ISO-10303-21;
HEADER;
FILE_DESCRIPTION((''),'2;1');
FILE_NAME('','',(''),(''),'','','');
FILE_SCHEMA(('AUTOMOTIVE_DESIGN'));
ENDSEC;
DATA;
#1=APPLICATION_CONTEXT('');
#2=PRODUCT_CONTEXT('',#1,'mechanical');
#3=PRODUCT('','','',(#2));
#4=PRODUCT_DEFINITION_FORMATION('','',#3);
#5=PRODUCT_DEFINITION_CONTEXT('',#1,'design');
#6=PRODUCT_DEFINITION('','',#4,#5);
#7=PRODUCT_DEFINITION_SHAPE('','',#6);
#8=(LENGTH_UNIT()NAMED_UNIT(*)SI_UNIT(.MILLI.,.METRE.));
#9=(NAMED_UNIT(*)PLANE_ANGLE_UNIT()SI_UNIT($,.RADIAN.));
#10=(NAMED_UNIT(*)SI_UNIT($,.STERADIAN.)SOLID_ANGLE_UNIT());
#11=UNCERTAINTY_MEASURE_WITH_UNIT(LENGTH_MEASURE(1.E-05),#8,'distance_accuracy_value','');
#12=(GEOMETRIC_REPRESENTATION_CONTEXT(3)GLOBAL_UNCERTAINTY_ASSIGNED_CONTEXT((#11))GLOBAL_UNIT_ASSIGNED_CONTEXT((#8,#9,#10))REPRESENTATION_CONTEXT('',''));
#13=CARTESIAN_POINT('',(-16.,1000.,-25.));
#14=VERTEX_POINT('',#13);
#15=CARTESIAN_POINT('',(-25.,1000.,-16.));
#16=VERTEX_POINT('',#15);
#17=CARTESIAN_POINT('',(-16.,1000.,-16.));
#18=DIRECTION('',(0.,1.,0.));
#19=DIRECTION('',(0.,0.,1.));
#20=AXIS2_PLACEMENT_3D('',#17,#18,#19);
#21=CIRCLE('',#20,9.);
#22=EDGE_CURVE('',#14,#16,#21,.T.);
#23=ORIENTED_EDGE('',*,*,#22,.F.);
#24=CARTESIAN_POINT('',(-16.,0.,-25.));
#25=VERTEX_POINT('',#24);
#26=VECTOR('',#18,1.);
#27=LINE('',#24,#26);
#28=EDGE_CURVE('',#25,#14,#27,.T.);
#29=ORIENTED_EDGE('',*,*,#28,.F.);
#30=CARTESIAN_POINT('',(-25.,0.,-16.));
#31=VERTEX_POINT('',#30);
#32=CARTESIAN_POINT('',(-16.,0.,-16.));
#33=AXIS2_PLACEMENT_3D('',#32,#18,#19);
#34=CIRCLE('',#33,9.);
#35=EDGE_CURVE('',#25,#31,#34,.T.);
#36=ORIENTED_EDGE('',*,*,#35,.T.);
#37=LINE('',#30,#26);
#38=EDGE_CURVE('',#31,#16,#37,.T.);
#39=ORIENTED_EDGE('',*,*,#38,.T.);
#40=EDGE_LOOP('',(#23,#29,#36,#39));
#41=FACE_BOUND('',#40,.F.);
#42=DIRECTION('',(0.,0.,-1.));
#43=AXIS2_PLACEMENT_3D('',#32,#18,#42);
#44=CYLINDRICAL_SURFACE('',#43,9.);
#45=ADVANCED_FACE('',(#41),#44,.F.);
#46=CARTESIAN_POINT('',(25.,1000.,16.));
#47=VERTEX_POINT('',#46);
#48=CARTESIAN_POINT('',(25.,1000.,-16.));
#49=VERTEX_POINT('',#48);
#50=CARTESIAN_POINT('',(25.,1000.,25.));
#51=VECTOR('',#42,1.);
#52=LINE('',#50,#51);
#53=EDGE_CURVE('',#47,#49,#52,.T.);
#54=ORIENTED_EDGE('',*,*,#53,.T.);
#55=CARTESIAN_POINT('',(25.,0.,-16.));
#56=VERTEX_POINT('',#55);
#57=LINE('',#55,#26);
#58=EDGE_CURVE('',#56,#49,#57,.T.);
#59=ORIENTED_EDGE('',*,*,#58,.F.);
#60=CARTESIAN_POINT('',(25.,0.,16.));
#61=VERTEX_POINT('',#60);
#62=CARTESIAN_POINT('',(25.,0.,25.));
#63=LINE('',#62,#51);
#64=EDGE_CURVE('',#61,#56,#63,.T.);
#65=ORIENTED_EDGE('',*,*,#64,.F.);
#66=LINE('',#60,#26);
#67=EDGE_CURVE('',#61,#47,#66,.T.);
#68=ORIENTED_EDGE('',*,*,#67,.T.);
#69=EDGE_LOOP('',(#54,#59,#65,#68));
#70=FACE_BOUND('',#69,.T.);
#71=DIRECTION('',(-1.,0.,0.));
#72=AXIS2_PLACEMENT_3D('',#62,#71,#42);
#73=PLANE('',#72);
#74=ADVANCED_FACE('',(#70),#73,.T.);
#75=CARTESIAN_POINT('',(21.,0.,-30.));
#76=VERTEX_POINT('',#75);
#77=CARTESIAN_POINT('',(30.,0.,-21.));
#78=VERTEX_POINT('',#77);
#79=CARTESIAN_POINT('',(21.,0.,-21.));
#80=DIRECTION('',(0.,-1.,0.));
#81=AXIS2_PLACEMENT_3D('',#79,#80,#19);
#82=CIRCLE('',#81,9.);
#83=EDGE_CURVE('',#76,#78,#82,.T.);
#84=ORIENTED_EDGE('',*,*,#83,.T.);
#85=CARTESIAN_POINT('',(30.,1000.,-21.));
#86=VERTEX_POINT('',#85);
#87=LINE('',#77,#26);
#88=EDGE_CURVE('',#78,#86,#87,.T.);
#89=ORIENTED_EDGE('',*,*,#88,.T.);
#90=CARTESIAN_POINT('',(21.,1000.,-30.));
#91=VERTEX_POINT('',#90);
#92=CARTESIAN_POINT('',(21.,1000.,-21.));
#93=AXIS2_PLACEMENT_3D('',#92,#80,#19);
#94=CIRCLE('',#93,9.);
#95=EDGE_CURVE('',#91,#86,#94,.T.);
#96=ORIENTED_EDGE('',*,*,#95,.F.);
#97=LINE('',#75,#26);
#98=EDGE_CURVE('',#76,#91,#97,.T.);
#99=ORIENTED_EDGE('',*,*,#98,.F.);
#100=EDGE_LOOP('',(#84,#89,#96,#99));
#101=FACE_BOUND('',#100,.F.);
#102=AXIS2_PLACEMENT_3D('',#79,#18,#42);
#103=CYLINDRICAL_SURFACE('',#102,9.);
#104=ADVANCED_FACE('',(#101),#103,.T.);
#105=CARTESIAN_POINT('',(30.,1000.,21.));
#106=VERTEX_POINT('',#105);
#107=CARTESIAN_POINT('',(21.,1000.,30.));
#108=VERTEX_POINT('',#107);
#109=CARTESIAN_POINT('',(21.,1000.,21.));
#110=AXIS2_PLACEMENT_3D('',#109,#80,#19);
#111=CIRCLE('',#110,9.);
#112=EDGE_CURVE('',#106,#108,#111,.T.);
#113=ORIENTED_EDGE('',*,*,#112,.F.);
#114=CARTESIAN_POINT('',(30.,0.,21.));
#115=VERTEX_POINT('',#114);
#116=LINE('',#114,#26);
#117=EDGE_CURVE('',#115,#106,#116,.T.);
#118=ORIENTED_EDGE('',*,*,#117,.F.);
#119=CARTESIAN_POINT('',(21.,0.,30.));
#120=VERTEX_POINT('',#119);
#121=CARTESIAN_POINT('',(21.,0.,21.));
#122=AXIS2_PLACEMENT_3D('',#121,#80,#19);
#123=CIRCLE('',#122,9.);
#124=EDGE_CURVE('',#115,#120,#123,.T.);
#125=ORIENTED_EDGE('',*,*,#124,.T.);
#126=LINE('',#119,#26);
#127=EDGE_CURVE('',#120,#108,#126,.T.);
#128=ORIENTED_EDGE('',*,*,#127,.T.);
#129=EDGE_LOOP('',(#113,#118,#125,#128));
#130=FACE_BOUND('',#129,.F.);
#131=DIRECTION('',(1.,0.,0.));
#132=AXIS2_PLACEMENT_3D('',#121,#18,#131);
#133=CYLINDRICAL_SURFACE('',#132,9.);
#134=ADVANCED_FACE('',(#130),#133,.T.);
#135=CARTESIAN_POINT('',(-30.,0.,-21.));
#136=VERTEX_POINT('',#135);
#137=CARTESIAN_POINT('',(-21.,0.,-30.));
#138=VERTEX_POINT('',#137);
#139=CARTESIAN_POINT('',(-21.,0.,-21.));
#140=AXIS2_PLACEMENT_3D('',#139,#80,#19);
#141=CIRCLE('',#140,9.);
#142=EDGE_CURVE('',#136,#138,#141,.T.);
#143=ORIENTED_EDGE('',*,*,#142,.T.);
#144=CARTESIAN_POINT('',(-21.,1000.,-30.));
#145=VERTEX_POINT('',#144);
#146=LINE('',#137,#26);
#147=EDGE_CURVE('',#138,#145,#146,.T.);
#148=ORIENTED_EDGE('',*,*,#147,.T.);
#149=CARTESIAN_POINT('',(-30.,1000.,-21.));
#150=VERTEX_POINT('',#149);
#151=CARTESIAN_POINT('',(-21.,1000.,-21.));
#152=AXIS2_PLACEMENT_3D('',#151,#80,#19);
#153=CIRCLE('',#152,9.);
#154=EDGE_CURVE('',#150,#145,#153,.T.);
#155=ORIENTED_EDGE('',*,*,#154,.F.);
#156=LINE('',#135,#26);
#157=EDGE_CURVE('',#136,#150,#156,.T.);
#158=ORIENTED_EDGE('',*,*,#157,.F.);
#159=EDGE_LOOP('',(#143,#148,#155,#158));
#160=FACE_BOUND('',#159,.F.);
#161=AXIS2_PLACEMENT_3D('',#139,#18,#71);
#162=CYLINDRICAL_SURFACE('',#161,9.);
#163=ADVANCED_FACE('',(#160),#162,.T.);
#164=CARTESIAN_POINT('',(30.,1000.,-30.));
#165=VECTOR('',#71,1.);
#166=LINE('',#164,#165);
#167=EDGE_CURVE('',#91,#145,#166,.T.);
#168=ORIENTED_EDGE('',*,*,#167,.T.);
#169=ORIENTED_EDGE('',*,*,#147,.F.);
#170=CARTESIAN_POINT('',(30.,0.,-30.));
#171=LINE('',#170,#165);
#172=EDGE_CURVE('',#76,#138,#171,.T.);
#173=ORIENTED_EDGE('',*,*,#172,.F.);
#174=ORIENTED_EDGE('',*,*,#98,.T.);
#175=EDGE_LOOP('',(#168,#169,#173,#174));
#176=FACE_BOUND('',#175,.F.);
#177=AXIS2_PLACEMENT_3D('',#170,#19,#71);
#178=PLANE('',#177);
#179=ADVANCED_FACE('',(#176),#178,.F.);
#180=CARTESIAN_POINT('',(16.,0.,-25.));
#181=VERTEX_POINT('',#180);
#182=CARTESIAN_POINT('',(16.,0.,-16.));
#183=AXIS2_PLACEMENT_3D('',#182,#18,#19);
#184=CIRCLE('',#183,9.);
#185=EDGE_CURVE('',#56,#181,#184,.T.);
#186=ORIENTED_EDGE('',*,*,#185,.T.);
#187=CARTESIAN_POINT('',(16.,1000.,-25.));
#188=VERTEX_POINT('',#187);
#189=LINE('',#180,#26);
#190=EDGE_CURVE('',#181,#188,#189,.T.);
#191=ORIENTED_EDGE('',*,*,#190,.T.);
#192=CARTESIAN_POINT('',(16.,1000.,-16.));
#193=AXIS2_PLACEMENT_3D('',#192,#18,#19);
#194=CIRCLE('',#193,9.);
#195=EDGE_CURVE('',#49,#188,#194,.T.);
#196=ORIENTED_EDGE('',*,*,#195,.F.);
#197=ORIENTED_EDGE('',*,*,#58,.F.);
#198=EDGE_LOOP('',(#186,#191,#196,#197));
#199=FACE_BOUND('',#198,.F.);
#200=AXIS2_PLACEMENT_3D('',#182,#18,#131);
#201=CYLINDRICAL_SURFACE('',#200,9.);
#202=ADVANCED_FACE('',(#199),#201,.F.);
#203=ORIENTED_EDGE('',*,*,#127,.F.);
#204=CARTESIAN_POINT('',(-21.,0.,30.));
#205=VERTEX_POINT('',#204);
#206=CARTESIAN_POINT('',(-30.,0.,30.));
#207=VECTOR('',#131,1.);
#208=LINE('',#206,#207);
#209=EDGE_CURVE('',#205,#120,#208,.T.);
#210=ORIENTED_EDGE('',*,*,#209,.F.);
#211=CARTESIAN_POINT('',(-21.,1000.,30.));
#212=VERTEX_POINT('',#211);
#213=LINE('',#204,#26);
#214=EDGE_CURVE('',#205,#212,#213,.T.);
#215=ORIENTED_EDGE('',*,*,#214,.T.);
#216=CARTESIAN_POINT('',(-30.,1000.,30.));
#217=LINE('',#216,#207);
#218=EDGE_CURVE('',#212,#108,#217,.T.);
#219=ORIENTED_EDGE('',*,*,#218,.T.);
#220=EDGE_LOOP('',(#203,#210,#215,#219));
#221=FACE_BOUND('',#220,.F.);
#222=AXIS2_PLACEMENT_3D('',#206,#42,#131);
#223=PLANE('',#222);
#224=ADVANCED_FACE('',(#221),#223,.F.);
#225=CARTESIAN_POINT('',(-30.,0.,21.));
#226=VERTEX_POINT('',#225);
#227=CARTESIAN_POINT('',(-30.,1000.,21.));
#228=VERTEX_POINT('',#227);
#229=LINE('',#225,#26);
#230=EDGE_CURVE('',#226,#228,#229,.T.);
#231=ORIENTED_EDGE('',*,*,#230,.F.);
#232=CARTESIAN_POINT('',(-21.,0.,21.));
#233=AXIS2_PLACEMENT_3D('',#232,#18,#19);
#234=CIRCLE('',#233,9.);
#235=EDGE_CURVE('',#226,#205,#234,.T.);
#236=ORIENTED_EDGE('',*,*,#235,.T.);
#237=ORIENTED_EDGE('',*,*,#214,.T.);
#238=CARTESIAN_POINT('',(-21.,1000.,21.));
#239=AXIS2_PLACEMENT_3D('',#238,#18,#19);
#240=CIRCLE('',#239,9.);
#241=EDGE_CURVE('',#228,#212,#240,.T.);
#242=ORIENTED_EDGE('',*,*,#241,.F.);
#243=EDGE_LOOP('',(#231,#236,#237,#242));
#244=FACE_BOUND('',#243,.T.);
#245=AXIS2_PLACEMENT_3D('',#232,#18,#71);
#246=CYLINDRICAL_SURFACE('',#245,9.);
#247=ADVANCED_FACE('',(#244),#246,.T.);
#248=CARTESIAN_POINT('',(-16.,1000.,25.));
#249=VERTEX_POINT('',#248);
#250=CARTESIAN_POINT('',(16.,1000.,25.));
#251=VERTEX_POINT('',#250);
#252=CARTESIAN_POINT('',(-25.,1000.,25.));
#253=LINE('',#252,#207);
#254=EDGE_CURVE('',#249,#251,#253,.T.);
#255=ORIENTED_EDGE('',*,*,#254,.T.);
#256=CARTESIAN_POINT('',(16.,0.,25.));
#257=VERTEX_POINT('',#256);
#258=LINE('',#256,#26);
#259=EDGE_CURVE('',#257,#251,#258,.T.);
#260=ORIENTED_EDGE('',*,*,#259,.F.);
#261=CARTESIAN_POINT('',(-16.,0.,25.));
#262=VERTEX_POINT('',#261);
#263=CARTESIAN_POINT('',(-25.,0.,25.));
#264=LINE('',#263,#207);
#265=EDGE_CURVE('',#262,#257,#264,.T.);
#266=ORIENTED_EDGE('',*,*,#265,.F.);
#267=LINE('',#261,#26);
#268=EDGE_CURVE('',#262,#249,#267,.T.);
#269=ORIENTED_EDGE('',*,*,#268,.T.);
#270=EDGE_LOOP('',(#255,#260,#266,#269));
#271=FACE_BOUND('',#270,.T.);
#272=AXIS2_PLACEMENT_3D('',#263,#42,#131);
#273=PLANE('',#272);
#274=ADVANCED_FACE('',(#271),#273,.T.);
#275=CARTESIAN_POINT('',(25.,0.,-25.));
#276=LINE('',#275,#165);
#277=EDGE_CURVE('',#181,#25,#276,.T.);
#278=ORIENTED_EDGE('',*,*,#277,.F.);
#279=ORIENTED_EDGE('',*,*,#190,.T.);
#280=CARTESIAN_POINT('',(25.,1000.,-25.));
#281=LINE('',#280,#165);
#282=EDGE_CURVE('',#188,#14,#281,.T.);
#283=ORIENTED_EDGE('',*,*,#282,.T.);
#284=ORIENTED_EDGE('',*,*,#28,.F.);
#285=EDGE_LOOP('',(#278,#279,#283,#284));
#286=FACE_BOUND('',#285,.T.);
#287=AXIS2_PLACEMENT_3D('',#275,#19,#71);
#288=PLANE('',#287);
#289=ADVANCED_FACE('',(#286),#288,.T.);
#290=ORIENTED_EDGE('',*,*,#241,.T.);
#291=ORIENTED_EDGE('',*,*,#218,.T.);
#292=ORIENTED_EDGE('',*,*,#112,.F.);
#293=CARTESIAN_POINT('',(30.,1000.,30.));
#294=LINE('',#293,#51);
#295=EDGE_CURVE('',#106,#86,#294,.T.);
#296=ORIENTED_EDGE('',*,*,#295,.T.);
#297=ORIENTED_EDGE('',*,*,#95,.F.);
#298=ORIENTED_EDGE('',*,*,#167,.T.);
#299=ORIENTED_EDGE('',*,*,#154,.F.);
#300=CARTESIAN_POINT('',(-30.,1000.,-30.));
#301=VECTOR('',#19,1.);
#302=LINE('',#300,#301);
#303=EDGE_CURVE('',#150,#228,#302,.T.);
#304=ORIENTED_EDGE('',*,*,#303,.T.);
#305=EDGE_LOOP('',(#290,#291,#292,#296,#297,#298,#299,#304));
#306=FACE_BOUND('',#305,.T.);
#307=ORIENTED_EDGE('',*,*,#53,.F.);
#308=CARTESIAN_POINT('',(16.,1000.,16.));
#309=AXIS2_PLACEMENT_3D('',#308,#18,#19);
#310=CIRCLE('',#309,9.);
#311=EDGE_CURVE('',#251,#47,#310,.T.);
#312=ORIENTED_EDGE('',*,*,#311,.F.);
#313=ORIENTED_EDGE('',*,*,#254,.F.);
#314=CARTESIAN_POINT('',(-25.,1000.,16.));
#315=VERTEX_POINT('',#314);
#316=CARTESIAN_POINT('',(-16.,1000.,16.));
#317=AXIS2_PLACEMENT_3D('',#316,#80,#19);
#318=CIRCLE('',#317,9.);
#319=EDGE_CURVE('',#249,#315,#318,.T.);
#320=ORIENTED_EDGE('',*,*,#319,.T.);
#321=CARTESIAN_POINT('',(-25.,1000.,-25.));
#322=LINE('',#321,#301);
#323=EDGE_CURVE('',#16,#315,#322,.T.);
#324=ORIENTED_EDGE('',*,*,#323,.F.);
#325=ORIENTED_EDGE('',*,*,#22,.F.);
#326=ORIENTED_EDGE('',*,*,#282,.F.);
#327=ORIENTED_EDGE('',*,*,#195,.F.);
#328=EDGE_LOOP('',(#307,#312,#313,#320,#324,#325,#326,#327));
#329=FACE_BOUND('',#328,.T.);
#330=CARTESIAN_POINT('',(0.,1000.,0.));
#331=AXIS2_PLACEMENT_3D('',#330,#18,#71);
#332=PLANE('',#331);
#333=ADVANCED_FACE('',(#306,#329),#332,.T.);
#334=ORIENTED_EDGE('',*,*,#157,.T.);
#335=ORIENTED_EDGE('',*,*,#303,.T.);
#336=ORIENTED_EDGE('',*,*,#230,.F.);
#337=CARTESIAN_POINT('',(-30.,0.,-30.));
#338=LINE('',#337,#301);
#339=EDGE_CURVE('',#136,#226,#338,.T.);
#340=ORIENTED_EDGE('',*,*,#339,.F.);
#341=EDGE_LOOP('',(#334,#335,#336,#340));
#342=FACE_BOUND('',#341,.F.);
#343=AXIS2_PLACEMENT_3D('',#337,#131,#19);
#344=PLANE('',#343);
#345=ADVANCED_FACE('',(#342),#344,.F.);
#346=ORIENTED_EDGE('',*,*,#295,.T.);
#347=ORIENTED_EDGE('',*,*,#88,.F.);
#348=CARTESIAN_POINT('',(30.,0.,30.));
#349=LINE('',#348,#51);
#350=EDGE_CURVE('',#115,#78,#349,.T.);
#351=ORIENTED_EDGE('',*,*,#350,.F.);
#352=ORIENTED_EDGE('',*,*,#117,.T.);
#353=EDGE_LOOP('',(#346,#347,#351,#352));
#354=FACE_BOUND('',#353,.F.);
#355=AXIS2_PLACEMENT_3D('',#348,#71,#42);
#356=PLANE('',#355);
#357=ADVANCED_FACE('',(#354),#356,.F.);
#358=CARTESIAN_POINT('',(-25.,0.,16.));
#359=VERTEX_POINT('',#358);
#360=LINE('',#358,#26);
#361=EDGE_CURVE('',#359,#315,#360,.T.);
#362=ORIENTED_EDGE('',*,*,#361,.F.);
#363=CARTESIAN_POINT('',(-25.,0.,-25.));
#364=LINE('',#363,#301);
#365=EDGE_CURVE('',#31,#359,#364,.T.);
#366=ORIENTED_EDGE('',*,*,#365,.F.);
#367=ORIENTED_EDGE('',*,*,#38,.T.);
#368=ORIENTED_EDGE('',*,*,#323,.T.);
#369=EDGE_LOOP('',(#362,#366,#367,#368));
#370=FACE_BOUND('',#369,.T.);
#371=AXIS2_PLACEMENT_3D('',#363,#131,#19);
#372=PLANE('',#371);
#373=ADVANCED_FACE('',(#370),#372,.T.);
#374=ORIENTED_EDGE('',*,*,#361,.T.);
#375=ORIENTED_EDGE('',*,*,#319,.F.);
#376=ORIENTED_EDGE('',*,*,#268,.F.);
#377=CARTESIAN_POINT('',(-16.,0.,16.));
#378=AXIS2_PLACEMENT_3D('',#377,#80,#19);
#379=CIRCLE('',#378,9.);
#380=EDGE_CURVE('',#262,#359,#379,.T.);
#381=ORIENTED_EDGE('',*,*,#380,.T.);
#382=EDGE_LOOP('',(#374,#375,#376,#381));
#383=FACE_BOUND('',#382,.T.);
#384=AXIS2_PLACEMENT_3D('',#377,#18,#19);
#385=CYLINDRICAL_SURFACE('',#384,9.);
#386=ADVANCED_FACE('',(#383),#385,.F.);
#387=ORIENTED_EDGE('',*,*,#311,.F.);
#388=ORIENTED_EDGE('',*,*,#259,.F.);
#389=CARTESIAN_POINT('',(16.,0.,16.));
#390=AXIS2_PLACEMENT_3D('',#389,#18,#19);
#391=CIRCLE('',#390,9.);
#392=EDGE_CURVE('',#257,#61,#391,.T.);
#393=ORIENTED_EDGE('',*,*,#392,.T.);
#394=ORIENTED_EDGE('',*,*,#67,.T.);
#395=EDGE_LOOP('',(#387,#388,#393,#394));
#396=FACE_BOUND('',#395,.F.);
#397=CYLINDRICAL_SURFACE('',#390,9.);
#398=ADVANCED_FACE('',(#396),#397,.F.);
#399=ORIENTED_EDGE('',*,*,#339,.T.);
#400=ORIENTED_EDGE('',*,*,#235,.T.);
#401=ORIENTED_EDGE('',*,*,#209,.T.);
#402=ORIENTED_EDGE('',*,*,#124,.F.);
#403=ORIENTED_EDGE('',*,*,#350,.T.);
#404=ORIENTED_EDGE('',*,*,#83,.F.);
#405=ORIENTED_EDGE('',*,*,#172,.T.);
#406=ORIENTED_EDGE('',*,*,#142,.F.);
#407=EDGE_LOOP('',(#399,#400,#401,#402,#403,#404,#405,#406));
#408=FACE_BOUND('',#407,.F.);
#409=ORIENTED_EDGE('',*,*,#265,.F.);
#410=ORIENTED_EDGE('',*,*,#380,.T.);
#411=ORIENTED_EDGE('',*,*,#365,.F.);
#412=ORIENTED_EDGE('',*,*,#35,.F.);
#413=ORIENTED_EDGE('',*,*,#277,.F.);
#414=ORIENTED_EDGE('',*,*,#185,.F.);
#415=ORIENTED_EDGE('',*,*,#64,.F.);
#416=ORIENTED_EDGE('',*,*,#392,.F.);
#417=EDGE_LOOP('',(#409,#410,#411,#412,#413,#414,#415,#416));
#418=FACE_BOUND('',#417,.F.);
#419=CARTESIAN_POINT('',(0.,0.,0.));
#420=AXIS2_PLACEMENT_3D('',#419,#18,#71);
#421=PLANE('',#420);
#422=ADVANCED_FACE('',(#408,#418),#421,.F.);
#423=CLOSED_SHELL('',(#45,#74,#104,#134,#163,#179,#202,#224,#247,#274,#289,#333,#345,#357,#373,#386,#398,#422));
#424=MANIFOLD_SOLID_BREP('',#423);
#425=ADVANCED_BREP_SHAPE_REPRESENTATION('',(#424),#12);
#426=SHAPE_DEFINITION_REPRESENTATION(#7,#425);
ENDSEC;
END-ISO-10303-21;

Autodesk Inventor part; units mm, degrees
ref_plane "YZ Plane" through (0, 0, 0) normal (1, 0, 0) x (0, 1, 0)
ref_plane "XZ Plane" through (0, 0, 0) normal (0, 1, 0) x (-1, 0, 0)
ref_plane "XY Plane" through (0, 0, 0) normal (0, 0, 1) x (1, 0, 0)
sketch "Sketch1" plane through (0, 0, 0) normal (0, 1, 0) x (-1, 0, 0)
  line L0 (30, 30) -> (-30, 30)
  line L1 (-30, 30) -> (-30, -30)
  line L2 (-30, -30) -> (30, -30)
  line L3 (30, -30) -> (30, 30)
  line L4 (25, 25) -> (-25, 25)
  line L5 (-25, 25) -> (-25, -25)
  line L6 (-25, -25) -> (25, -25)
  line L7 (25, -25) -> (25, 25)
  point P0 (0, 0)
  dimension "d0" = 60
  dimension "d1" = 60
  dimension "d2" = 5
extrude "Extrusion1" add sketch "Sketch1" along normal blind 1000
fillet "Fillet1" radius 9 8 edges at (30, 500, 30) (30, 500, -30) (-30, 500, 30) (-25, 500, -25) (-30, 500, -30) (-25, 500, 25) (25, 500, 25) (25, 500, -25)
properties part number "Truba60" material "Iron, Ductile"
